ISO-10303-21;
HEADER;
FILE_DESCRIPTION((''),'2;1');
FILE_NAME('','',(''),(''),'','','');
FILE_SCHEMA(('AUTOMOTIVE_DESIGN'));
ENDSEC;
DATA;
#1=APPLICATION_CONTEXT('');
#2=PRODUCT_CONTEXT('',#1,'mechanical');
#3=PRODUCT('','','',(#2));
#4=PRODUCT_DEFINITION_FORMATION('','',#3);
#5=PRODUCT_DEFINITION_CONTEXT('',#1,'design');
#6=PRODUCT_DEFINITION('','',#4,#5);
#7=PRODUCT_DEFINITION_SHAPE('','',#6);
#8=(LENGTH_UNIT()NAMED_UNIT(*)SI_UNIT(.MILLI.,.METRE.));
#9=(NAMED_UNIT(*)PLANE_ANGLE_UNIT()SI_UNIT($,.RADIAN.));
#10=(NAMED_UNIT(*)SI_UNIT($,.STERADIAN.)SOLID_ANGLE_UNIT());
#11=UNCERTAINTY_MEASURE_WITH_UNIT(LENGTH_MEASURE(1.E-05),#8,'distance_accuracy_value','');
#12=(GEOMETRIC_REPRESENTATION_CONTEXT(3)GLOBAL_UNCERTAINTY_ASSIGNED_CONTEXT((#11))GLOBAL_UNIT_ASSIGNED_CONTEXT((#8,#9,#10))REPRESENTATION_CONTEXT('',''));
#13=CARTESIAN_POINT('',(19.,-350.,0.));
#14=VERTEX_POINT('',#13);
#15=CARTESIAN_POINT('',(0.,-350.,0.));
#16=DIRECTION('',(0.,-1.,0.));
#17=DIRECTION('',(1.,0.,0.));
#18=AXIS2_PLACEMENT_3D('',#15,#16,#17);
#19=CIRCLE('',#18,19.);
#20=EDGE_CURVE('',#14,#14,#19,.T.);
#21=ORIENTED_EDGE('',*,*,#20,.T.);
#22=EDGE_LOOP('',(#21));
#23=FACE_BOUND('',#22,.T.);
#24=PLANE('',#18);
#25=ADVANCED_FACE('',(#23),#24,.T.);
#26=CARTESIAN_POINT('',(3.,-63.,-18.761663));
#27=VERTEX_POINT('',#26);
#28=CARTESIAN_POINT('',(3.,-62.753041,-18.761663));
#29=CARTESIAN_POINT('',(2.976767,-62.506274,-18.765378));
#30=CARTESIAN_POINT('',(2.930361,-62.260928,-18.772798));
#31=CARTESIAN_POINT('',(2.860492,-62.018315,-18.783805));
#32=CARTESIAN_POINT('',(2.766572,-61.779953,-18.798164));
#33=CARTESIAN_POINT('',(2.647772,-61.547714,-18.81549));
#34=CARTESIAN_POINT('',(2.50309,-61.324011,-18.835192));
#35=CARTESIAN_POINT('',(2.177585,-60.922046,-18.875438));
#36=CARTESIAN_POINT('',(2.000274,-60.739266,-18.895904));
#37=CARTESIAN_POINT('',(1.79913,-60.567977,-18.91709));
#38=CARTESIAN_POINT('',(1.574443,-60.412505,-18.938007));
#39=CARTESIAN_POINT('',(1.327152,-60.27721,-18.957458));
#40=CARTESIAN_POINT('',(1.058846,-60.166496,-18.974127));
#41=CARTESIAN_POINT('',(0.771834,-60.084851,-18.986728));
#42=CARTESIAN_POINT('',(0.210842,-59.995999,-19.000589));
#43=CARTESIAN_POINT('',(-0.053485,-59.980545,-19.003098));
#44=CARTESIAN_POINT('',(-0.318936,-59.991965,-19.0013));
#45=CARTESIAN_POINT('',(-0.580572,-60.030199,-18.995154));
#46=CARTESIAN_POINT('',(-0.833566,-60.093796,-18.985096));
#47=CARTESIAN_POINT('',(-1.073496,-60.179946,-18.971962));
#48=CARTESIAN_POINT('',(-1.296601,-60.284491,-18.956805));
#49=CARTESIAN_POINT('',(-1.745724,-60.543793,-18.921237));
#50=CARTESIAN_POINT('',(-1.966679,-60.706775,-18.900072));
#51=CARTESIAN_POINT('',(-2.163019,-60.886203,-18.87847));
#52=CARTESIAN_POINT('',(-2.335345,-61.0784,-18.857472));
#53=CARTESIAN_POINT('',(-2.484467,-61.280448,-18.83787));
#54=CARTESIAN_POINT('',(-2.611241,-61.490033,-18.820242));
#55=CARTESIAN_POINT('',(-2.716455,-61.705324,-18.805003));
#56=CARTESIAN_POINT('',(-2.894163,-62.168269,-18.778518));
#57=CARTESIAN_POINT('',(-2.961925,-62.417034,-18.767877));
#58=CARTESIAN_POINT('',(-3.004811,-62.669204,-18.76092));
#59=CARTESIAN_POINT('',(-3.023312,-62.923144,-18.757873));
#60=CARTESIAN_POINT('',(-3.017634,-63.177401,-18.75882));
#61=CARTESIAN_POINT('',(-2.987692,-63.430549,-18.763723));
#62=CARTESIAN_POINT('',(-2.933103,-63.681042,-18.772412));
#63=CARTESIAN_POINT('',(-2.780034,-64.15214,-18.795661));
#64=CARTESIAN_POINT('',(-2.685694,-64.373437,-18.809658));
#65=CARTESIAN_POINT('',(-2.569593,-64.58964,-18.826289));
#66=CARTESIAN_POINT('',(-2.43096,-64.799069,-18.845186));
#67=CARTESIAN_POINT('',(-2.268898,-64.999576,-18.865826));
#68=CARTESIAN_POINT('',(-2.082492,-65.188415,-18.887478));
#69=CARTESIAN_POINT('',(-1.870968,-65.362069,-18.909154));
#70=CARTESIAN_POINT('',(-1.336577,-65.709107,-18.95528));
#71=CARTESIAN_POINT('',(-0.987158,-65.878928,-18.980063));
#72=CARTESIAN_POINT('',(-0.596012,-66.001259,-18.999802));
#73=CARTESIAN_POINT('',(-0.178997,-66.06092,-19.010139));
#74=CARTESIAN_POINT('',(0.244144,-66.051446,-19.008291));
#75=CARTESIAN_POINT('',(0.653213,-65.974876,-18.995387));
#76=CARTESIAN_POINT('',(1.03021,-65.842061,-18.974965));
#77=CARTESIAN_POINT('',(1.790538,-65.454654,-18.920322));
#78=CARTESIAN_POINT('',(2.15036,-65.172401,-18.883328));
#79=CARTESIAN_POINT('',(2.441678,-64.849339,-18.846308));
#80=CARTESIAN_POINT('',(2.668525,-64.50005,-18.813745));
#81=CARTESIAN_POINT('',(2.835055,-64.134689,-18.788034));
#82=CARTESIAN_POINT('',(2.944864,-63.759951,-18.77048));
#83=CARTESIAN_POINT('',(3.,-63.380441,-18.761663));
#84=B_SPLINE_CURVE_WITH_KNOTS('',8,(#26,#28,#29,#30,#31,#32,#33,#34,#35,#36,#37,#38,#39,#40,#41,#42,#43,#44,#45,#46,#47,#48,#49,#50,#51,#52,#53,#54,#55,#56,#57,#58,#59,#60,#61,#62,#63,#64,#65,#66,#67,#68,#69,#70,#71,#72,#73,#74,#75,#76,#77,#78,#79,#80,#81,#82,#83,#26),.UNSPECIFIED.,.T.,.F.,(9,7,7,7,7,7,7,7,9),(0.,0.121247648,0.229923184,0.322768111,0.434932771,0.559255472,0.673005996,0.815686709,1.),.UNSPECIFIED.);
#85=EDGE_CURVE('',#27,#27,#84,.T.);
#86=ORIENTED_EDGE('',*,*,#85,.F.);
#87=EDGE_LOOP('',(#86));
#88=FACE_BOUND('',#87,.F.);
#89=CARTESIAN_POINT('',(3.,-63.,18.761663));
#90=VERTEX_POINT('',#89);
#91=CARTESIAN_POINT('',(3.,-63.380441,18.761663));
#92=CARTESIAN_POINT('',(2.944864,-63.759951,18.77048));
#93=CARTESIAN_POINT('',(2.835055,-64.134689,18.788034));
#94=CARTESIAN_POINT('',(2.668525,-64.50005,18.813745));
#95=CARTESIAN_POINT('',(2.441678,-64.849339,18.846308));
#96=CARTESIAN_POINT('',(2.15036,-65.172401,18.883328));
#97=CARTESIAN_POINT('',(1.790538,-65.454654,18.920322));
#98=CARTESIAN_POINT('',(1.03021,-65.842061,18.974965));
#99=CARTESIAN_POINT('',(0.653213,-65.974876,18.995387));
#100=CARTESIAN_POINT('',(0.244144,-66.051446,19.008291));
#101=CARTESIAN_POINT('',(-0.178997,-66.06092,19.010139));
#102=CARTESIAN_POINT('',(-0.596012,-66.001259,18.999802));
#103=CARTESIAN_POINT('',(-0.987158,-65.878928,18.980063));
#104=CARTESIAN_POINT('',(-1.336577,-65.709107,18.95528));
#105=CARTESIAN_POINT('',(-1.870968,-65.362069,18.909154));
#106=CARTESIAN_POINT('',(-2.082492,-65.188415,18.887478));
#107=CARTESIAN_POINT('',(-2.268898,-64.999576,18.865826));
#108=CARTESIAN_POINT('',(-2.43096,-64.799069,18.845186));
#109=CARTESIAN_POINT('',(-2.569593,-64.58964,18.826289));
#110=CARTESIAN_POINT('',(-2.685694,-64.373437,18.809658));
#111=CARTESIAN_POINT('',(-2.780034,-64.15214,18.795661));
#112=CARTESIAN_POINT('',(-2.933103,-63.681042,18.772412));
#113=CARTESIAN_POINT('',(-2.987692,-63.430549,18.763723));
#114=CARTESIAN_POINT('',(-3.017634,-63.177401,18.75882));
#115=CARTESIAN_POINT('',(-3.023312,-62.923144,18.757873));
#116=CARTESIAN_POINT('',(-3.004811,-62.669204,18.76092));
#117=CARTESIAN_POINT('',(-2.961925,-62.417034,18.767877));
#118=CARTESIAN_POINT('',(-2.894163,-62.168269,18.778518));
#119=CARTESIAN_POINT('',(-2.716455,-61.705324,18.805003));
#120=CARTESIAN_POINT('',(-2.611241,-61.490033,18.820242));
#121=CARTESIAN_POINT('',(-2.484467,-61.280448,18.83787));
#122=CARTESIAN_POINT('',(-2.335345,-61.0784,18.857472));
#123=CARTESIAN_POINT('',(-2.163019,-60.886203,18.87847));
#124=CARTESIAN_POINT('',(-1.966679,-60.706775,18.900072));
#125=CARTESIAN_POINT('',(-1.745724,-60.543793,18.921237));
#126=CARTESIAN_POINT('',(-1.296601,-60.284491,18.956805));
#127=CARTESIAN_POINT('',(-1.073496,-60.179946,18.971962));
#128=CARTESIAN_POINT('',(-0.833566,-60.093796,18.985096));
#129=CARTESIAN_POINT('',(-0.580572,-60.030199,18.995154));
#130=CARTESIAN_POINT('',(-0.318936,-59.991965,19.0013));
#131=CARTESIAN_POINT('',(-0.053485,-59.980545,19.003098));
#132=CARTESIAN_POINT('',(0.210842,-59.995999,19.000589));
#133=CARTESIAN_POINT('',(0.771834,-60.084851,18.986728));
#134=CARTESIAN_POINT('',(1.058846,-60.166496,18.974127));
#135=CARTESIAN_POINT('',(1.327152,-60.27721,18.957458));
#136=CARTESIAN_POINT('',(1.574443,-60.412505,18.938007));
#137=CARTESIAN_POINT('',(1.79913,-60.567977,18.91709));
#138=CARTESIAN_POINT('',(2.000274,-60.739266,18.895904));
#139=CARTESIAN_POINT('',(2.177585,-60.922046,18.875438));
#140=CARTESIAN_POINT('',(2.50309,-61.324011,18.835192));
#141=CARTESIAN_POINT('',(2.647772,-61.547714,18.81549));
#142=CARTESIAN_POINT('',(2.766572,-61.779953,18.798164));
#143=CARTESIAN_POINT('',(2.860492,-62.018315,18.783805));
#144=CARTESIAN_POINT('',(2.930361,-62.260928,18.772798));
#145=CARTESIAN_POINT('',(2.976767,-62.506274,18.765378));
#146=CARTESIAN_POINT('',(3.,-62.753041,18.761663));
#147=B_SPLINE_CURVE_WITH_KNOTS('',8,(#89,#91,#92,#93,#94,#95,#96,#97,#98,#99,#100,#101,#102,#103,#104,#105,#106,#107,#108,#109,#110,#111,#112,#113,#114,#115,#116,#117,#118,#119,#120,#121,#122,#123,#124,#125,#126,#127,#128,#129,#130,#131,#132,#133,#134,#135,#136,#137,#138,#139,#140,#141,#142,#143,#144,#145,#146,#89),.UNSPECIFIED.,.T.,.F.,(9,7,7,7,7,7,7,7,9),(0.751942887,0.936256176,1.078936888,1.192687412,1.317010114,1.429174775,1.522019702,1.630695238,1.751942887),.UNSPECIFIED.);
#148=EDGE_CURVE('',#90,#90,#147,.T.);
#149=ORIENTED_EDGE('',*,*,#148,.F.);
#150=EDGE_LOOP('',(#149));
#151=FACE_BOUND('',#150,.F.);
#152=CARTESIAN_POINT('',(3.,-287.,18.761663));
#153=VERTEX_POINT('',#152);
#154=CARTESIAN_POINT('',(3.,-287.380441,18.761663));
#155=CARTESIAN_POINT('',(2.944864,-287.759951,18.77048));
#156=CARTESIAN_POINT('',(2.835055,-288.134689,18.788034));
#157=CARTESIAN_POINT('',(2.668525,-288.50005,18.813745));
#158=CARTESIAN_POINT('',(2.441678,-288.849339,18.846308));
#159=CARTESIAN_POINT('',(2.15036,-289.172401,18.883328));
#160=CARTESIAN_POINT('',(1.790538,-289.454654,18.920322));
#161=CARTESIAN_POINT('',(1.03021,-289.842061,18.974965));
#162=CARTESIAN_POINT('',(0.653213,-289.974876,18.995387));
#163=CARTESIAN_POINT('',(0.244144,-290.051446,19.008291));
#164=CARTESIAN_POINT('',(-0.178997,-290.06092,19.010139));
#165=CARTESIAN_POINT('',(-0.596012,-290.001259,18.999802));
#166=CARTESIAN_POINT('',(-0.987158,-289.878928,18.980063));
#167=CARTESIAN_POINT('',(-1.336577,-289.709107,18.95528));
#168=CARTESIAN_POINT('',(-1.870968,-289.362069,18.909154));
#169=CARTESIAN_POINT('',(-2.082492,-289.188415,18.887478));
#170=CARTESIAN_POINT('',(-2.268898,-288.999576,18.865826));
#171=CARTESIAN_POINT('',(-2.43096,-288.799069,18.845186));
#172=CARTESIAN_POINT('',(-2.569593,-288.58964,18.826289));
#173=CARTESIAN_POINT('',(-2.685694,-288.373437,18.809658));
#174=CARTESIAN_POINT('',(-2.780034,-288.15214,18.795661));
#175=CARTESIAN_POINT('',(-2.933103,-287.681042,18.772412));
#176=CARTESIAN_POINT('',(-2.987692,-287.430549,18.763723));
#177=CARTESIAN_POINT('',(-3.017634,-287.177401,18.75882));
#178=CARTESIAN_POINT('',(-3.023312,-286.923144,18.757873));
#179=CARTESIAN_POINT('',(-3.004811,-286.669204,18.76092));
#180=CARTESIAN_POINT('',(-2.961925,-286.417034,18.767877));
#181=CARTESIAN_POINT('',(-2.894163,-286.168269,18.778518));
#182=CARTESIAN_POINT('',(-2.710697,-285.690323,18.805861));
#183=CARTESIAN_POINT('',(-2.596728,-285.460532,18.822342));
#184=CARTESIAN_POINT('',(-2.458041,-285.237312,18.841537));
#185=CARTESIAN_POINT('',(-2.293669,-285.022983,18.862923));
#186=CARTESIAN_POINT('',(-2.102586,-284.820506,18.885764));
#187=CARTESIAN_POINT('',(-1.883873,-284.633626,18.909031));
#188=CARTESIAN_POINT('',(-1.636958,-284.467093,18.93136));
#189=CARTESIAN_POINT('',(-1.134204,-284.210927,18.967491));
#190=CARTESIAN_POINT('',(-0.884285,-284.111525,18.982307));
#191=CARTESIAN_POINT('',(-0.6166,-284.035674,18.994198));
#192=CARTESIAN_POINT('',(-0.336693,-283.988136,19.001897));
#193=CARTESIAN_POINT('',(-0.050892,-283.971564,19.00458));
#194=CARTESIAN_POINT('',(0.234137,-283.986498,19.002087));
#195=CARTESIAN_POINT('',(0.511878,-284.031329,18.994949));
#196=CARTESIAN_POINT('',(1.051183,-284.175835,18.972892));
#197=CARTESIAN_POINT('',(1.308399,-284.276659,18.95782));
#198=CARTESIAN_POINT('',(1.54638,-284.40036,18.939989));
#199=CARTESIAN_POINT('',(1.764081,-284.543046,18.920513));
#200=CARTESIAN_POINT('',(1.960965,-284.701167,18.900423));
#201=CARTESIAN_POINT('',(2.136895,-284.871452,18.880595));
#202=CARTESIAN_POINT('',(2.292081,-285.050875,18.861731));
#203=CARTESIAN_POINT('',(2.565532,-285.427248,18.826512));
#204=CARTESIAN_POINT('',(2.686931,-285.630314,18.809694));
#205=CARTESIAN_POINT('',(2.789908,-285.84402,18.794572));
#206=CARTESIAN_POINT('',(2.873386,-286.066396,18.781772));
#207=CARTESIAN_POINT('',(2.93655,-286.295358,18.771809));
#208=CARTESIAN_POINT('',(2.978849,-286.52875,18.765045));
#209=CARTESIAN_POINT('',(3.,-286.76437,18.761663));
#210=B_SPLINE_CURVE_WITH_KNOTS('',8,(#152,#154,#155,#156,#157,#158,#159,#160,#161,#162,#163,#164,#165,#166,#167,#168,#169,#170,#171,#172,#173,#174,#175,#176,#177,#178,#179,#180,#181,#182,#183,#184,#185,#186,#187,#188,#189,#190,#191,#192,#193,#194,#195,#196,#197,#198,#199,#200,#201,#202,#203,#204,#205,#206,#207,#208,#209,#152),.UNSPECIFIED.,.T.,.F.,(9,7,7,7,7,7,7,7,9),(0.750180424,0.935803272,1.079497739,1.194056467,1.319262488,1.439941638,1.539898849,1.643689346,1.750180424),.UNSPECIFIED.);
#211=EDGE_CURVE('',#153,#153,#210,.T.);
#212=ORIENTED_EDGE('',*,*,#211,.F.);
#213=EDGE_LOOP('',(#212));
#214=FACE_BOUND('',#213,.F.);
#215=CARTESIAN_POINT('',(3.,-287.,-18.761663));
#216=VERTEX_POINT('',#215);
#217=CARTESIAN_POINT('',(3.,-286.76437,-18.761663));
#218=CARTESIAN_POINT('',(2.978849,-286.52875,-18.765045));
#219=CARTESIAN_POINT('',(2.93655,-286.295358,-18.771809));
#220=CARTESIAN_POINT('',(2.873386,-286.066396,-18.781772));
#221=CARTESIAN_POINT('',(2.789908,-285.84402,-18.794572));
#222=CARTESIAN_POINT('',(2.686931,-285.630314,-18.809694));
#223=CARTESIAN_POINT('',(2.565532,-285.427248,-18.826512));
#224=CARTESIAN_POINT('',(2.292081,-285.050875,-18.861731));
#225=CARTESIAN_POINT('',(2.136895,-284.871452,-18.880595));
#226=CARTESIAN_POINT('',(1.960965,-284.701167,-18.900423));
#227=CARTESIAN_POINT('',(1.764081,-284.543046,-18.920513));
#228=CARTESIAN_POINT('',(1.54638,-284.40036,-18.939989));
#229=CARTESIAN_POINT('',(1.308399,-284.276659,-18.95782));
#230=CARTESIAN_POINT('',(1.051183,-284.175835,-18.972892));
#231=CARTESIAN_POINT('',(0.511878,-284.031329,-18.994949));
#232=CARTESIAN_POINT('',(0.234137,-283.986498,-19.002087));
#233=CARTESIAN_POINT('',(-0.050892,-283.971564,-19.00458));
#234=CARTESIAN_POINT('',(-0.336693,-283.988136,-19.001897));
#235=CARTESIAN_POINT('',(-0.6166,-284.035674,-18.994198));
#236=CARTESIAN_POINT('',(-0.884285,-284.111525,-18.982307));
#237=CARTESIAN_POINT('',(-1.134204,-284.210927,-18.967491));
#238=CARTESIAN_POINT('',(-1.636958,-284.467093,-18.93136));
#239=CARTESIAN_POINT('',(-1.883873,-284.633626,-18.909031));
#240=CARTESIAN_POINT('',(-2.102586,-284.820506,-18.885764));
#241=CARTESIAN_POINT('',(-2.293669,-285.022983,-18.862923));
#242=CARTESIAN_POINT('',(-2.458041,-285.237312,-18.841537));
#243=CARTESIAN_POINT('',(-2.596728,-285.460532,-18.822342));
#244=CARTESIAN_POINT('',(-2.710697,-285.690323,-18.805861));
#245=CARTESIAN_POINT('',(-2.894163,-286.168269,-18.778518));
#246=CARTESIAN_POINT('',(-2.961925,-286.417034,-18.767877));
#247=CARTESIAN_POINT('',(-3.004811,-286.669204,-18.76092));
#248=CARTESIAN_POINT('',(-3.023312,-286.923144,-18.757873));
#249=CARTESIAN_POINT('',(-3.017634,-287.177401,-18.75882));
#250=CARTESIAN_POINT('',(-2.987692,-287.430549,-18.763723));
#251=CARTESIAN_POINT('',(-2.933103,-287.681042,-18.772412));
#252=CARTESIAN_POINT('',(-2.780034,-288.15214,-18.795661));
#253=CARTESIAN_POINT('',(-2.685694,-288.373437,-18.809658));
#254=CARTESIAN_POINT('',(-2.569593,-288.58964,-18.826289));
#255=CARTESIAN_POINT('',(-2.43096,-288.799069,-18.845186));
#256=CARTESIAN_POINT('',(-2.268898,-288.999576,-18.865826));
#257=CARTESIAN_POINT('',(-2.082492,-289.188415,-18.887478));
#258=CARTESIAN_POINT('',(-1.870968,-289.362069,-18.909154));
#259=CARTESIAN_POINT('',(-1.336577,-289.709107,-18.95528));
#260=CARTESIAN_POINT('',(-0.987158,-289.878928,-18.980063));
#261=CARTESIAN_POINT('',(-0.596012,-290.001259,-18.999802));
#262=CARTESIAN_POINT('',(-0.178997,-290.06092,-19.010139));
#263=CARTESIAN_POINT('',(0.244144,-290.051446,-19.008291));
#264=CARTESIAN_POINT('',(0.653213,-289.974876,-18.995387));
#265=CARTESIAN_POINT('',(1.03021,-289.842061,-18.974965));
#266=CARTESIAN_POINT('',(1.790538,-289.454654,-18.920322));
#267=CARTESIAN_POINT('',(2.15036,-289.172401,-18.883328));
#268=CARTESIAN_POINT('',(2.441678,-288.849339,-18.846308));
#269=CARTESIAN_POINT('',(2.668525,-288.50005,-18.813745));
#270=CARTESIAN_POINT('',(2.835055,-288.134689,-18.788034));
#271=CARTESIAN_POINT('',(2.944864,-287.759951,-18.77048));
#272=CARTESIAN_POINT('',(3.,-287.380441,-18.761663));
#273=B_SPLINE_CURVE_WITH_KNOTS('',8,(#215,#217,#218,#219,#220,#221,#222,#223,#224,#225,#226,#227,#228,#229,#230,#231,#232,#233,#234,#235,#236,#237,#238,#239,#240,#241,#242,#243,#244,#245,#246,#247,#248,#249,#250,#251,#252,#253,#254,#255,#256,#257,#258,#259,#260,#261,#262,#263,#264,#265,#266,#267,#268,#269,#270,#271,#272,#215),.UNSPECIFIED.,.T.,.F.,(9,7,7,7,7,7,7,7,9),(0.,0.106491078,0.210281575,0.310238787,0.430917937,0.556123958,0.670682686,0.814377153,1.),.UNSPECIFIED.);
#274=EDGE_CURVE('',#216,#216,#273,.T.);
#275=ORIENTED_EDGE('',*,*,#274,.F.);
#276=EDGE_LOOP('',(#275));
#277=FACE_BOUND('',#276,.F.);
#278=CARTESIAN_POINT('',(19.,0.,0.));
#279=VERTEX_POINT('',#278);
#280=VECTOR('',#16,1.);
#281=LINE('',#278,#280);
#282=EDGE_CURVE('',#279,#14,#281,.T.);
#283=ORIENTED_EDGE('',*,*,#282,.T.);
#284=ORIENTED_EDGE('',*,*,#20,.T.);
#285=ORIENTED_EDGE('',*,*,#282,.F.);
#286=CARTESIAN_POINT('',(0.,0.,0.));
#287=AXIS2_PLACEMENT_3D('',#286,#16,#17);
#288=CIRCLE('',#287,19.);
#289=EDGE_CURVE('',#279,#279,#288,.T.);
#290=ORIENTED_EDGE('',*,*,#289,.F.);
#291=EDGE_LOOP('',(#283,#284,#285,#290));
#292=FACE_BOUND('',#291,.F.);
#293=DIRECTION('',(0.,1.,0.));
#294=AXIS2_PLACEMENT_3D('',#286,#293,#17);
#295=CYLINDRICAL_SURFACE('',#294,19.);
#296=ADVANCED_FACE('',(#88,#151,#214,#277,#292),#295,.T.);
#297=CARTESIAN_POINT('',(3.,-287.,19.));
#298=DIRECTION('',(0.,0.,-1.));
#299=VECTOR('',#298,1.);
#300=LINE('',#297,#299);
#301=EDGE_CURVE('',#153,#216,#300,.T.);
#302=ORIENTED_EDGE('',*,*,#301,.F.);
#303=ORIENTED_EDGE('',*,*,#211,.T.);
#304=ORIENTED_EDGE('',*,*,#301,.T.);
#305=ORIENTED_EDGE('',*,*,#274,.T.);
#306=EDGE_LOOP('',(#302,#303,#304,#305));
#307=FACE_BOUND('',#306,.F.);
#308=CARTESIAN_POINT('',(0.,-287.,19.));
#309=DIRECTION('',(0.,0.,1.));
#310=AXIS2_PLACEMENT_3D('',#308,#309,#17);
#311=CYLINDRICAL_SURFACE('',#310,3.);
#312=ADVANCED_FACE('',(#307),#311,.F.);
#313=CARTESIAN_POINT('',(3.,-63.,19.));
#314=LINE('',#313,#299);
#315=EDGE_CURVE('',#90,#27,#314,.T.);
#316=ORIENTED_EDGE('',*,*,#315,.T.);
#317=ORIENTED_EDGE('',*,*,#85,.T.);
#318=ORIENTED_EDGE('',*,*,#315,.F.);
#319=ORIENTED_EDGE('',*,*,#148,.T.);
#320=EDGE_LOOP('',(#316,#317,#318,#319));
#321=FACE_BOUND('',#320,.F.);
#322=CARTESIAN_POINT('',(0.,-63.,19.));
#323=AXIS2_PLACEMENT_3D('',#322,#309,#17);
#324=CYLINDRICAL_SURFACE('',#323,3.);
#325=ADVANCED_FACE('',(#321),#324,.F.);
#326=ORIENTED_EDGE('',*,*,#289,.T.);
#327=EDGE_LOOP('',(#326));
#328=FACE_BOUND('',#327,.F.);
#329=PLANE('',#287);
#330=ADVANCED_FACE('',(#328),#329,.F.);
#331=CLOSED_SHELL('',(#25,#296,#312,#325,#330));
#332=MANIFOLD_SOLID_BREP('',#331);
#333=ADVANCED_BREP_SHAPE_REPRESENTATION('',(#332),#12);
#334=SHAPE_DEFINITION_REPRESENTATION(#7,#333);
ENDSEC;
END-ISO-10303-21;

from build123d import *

# Parameters (mm, degrees)
F0_R     = 19
F1_DEPTH = 350
F3_R     = 3
F4_DEPTH = 38.001


with BuildPart() as f1:
    # F0 (on Front) → F1 (new body)
    with BuildSketch(Plane.XZ):
        Circle(F0_R)
    extrude(amount=F1_DEPTH)

    # F3 (on offset) → F4 (cut, through all)
    with BuildSketch(Plane.XY.offset(19)):
        with Locations((0, -63)):
            Circle(F3_R)
        with Locations((0, -287)):
            Circle(F3_R)
    extrude(amount=-F4_DEPTH, mode=Mode.SUBTRACT)


solid = f1.part
